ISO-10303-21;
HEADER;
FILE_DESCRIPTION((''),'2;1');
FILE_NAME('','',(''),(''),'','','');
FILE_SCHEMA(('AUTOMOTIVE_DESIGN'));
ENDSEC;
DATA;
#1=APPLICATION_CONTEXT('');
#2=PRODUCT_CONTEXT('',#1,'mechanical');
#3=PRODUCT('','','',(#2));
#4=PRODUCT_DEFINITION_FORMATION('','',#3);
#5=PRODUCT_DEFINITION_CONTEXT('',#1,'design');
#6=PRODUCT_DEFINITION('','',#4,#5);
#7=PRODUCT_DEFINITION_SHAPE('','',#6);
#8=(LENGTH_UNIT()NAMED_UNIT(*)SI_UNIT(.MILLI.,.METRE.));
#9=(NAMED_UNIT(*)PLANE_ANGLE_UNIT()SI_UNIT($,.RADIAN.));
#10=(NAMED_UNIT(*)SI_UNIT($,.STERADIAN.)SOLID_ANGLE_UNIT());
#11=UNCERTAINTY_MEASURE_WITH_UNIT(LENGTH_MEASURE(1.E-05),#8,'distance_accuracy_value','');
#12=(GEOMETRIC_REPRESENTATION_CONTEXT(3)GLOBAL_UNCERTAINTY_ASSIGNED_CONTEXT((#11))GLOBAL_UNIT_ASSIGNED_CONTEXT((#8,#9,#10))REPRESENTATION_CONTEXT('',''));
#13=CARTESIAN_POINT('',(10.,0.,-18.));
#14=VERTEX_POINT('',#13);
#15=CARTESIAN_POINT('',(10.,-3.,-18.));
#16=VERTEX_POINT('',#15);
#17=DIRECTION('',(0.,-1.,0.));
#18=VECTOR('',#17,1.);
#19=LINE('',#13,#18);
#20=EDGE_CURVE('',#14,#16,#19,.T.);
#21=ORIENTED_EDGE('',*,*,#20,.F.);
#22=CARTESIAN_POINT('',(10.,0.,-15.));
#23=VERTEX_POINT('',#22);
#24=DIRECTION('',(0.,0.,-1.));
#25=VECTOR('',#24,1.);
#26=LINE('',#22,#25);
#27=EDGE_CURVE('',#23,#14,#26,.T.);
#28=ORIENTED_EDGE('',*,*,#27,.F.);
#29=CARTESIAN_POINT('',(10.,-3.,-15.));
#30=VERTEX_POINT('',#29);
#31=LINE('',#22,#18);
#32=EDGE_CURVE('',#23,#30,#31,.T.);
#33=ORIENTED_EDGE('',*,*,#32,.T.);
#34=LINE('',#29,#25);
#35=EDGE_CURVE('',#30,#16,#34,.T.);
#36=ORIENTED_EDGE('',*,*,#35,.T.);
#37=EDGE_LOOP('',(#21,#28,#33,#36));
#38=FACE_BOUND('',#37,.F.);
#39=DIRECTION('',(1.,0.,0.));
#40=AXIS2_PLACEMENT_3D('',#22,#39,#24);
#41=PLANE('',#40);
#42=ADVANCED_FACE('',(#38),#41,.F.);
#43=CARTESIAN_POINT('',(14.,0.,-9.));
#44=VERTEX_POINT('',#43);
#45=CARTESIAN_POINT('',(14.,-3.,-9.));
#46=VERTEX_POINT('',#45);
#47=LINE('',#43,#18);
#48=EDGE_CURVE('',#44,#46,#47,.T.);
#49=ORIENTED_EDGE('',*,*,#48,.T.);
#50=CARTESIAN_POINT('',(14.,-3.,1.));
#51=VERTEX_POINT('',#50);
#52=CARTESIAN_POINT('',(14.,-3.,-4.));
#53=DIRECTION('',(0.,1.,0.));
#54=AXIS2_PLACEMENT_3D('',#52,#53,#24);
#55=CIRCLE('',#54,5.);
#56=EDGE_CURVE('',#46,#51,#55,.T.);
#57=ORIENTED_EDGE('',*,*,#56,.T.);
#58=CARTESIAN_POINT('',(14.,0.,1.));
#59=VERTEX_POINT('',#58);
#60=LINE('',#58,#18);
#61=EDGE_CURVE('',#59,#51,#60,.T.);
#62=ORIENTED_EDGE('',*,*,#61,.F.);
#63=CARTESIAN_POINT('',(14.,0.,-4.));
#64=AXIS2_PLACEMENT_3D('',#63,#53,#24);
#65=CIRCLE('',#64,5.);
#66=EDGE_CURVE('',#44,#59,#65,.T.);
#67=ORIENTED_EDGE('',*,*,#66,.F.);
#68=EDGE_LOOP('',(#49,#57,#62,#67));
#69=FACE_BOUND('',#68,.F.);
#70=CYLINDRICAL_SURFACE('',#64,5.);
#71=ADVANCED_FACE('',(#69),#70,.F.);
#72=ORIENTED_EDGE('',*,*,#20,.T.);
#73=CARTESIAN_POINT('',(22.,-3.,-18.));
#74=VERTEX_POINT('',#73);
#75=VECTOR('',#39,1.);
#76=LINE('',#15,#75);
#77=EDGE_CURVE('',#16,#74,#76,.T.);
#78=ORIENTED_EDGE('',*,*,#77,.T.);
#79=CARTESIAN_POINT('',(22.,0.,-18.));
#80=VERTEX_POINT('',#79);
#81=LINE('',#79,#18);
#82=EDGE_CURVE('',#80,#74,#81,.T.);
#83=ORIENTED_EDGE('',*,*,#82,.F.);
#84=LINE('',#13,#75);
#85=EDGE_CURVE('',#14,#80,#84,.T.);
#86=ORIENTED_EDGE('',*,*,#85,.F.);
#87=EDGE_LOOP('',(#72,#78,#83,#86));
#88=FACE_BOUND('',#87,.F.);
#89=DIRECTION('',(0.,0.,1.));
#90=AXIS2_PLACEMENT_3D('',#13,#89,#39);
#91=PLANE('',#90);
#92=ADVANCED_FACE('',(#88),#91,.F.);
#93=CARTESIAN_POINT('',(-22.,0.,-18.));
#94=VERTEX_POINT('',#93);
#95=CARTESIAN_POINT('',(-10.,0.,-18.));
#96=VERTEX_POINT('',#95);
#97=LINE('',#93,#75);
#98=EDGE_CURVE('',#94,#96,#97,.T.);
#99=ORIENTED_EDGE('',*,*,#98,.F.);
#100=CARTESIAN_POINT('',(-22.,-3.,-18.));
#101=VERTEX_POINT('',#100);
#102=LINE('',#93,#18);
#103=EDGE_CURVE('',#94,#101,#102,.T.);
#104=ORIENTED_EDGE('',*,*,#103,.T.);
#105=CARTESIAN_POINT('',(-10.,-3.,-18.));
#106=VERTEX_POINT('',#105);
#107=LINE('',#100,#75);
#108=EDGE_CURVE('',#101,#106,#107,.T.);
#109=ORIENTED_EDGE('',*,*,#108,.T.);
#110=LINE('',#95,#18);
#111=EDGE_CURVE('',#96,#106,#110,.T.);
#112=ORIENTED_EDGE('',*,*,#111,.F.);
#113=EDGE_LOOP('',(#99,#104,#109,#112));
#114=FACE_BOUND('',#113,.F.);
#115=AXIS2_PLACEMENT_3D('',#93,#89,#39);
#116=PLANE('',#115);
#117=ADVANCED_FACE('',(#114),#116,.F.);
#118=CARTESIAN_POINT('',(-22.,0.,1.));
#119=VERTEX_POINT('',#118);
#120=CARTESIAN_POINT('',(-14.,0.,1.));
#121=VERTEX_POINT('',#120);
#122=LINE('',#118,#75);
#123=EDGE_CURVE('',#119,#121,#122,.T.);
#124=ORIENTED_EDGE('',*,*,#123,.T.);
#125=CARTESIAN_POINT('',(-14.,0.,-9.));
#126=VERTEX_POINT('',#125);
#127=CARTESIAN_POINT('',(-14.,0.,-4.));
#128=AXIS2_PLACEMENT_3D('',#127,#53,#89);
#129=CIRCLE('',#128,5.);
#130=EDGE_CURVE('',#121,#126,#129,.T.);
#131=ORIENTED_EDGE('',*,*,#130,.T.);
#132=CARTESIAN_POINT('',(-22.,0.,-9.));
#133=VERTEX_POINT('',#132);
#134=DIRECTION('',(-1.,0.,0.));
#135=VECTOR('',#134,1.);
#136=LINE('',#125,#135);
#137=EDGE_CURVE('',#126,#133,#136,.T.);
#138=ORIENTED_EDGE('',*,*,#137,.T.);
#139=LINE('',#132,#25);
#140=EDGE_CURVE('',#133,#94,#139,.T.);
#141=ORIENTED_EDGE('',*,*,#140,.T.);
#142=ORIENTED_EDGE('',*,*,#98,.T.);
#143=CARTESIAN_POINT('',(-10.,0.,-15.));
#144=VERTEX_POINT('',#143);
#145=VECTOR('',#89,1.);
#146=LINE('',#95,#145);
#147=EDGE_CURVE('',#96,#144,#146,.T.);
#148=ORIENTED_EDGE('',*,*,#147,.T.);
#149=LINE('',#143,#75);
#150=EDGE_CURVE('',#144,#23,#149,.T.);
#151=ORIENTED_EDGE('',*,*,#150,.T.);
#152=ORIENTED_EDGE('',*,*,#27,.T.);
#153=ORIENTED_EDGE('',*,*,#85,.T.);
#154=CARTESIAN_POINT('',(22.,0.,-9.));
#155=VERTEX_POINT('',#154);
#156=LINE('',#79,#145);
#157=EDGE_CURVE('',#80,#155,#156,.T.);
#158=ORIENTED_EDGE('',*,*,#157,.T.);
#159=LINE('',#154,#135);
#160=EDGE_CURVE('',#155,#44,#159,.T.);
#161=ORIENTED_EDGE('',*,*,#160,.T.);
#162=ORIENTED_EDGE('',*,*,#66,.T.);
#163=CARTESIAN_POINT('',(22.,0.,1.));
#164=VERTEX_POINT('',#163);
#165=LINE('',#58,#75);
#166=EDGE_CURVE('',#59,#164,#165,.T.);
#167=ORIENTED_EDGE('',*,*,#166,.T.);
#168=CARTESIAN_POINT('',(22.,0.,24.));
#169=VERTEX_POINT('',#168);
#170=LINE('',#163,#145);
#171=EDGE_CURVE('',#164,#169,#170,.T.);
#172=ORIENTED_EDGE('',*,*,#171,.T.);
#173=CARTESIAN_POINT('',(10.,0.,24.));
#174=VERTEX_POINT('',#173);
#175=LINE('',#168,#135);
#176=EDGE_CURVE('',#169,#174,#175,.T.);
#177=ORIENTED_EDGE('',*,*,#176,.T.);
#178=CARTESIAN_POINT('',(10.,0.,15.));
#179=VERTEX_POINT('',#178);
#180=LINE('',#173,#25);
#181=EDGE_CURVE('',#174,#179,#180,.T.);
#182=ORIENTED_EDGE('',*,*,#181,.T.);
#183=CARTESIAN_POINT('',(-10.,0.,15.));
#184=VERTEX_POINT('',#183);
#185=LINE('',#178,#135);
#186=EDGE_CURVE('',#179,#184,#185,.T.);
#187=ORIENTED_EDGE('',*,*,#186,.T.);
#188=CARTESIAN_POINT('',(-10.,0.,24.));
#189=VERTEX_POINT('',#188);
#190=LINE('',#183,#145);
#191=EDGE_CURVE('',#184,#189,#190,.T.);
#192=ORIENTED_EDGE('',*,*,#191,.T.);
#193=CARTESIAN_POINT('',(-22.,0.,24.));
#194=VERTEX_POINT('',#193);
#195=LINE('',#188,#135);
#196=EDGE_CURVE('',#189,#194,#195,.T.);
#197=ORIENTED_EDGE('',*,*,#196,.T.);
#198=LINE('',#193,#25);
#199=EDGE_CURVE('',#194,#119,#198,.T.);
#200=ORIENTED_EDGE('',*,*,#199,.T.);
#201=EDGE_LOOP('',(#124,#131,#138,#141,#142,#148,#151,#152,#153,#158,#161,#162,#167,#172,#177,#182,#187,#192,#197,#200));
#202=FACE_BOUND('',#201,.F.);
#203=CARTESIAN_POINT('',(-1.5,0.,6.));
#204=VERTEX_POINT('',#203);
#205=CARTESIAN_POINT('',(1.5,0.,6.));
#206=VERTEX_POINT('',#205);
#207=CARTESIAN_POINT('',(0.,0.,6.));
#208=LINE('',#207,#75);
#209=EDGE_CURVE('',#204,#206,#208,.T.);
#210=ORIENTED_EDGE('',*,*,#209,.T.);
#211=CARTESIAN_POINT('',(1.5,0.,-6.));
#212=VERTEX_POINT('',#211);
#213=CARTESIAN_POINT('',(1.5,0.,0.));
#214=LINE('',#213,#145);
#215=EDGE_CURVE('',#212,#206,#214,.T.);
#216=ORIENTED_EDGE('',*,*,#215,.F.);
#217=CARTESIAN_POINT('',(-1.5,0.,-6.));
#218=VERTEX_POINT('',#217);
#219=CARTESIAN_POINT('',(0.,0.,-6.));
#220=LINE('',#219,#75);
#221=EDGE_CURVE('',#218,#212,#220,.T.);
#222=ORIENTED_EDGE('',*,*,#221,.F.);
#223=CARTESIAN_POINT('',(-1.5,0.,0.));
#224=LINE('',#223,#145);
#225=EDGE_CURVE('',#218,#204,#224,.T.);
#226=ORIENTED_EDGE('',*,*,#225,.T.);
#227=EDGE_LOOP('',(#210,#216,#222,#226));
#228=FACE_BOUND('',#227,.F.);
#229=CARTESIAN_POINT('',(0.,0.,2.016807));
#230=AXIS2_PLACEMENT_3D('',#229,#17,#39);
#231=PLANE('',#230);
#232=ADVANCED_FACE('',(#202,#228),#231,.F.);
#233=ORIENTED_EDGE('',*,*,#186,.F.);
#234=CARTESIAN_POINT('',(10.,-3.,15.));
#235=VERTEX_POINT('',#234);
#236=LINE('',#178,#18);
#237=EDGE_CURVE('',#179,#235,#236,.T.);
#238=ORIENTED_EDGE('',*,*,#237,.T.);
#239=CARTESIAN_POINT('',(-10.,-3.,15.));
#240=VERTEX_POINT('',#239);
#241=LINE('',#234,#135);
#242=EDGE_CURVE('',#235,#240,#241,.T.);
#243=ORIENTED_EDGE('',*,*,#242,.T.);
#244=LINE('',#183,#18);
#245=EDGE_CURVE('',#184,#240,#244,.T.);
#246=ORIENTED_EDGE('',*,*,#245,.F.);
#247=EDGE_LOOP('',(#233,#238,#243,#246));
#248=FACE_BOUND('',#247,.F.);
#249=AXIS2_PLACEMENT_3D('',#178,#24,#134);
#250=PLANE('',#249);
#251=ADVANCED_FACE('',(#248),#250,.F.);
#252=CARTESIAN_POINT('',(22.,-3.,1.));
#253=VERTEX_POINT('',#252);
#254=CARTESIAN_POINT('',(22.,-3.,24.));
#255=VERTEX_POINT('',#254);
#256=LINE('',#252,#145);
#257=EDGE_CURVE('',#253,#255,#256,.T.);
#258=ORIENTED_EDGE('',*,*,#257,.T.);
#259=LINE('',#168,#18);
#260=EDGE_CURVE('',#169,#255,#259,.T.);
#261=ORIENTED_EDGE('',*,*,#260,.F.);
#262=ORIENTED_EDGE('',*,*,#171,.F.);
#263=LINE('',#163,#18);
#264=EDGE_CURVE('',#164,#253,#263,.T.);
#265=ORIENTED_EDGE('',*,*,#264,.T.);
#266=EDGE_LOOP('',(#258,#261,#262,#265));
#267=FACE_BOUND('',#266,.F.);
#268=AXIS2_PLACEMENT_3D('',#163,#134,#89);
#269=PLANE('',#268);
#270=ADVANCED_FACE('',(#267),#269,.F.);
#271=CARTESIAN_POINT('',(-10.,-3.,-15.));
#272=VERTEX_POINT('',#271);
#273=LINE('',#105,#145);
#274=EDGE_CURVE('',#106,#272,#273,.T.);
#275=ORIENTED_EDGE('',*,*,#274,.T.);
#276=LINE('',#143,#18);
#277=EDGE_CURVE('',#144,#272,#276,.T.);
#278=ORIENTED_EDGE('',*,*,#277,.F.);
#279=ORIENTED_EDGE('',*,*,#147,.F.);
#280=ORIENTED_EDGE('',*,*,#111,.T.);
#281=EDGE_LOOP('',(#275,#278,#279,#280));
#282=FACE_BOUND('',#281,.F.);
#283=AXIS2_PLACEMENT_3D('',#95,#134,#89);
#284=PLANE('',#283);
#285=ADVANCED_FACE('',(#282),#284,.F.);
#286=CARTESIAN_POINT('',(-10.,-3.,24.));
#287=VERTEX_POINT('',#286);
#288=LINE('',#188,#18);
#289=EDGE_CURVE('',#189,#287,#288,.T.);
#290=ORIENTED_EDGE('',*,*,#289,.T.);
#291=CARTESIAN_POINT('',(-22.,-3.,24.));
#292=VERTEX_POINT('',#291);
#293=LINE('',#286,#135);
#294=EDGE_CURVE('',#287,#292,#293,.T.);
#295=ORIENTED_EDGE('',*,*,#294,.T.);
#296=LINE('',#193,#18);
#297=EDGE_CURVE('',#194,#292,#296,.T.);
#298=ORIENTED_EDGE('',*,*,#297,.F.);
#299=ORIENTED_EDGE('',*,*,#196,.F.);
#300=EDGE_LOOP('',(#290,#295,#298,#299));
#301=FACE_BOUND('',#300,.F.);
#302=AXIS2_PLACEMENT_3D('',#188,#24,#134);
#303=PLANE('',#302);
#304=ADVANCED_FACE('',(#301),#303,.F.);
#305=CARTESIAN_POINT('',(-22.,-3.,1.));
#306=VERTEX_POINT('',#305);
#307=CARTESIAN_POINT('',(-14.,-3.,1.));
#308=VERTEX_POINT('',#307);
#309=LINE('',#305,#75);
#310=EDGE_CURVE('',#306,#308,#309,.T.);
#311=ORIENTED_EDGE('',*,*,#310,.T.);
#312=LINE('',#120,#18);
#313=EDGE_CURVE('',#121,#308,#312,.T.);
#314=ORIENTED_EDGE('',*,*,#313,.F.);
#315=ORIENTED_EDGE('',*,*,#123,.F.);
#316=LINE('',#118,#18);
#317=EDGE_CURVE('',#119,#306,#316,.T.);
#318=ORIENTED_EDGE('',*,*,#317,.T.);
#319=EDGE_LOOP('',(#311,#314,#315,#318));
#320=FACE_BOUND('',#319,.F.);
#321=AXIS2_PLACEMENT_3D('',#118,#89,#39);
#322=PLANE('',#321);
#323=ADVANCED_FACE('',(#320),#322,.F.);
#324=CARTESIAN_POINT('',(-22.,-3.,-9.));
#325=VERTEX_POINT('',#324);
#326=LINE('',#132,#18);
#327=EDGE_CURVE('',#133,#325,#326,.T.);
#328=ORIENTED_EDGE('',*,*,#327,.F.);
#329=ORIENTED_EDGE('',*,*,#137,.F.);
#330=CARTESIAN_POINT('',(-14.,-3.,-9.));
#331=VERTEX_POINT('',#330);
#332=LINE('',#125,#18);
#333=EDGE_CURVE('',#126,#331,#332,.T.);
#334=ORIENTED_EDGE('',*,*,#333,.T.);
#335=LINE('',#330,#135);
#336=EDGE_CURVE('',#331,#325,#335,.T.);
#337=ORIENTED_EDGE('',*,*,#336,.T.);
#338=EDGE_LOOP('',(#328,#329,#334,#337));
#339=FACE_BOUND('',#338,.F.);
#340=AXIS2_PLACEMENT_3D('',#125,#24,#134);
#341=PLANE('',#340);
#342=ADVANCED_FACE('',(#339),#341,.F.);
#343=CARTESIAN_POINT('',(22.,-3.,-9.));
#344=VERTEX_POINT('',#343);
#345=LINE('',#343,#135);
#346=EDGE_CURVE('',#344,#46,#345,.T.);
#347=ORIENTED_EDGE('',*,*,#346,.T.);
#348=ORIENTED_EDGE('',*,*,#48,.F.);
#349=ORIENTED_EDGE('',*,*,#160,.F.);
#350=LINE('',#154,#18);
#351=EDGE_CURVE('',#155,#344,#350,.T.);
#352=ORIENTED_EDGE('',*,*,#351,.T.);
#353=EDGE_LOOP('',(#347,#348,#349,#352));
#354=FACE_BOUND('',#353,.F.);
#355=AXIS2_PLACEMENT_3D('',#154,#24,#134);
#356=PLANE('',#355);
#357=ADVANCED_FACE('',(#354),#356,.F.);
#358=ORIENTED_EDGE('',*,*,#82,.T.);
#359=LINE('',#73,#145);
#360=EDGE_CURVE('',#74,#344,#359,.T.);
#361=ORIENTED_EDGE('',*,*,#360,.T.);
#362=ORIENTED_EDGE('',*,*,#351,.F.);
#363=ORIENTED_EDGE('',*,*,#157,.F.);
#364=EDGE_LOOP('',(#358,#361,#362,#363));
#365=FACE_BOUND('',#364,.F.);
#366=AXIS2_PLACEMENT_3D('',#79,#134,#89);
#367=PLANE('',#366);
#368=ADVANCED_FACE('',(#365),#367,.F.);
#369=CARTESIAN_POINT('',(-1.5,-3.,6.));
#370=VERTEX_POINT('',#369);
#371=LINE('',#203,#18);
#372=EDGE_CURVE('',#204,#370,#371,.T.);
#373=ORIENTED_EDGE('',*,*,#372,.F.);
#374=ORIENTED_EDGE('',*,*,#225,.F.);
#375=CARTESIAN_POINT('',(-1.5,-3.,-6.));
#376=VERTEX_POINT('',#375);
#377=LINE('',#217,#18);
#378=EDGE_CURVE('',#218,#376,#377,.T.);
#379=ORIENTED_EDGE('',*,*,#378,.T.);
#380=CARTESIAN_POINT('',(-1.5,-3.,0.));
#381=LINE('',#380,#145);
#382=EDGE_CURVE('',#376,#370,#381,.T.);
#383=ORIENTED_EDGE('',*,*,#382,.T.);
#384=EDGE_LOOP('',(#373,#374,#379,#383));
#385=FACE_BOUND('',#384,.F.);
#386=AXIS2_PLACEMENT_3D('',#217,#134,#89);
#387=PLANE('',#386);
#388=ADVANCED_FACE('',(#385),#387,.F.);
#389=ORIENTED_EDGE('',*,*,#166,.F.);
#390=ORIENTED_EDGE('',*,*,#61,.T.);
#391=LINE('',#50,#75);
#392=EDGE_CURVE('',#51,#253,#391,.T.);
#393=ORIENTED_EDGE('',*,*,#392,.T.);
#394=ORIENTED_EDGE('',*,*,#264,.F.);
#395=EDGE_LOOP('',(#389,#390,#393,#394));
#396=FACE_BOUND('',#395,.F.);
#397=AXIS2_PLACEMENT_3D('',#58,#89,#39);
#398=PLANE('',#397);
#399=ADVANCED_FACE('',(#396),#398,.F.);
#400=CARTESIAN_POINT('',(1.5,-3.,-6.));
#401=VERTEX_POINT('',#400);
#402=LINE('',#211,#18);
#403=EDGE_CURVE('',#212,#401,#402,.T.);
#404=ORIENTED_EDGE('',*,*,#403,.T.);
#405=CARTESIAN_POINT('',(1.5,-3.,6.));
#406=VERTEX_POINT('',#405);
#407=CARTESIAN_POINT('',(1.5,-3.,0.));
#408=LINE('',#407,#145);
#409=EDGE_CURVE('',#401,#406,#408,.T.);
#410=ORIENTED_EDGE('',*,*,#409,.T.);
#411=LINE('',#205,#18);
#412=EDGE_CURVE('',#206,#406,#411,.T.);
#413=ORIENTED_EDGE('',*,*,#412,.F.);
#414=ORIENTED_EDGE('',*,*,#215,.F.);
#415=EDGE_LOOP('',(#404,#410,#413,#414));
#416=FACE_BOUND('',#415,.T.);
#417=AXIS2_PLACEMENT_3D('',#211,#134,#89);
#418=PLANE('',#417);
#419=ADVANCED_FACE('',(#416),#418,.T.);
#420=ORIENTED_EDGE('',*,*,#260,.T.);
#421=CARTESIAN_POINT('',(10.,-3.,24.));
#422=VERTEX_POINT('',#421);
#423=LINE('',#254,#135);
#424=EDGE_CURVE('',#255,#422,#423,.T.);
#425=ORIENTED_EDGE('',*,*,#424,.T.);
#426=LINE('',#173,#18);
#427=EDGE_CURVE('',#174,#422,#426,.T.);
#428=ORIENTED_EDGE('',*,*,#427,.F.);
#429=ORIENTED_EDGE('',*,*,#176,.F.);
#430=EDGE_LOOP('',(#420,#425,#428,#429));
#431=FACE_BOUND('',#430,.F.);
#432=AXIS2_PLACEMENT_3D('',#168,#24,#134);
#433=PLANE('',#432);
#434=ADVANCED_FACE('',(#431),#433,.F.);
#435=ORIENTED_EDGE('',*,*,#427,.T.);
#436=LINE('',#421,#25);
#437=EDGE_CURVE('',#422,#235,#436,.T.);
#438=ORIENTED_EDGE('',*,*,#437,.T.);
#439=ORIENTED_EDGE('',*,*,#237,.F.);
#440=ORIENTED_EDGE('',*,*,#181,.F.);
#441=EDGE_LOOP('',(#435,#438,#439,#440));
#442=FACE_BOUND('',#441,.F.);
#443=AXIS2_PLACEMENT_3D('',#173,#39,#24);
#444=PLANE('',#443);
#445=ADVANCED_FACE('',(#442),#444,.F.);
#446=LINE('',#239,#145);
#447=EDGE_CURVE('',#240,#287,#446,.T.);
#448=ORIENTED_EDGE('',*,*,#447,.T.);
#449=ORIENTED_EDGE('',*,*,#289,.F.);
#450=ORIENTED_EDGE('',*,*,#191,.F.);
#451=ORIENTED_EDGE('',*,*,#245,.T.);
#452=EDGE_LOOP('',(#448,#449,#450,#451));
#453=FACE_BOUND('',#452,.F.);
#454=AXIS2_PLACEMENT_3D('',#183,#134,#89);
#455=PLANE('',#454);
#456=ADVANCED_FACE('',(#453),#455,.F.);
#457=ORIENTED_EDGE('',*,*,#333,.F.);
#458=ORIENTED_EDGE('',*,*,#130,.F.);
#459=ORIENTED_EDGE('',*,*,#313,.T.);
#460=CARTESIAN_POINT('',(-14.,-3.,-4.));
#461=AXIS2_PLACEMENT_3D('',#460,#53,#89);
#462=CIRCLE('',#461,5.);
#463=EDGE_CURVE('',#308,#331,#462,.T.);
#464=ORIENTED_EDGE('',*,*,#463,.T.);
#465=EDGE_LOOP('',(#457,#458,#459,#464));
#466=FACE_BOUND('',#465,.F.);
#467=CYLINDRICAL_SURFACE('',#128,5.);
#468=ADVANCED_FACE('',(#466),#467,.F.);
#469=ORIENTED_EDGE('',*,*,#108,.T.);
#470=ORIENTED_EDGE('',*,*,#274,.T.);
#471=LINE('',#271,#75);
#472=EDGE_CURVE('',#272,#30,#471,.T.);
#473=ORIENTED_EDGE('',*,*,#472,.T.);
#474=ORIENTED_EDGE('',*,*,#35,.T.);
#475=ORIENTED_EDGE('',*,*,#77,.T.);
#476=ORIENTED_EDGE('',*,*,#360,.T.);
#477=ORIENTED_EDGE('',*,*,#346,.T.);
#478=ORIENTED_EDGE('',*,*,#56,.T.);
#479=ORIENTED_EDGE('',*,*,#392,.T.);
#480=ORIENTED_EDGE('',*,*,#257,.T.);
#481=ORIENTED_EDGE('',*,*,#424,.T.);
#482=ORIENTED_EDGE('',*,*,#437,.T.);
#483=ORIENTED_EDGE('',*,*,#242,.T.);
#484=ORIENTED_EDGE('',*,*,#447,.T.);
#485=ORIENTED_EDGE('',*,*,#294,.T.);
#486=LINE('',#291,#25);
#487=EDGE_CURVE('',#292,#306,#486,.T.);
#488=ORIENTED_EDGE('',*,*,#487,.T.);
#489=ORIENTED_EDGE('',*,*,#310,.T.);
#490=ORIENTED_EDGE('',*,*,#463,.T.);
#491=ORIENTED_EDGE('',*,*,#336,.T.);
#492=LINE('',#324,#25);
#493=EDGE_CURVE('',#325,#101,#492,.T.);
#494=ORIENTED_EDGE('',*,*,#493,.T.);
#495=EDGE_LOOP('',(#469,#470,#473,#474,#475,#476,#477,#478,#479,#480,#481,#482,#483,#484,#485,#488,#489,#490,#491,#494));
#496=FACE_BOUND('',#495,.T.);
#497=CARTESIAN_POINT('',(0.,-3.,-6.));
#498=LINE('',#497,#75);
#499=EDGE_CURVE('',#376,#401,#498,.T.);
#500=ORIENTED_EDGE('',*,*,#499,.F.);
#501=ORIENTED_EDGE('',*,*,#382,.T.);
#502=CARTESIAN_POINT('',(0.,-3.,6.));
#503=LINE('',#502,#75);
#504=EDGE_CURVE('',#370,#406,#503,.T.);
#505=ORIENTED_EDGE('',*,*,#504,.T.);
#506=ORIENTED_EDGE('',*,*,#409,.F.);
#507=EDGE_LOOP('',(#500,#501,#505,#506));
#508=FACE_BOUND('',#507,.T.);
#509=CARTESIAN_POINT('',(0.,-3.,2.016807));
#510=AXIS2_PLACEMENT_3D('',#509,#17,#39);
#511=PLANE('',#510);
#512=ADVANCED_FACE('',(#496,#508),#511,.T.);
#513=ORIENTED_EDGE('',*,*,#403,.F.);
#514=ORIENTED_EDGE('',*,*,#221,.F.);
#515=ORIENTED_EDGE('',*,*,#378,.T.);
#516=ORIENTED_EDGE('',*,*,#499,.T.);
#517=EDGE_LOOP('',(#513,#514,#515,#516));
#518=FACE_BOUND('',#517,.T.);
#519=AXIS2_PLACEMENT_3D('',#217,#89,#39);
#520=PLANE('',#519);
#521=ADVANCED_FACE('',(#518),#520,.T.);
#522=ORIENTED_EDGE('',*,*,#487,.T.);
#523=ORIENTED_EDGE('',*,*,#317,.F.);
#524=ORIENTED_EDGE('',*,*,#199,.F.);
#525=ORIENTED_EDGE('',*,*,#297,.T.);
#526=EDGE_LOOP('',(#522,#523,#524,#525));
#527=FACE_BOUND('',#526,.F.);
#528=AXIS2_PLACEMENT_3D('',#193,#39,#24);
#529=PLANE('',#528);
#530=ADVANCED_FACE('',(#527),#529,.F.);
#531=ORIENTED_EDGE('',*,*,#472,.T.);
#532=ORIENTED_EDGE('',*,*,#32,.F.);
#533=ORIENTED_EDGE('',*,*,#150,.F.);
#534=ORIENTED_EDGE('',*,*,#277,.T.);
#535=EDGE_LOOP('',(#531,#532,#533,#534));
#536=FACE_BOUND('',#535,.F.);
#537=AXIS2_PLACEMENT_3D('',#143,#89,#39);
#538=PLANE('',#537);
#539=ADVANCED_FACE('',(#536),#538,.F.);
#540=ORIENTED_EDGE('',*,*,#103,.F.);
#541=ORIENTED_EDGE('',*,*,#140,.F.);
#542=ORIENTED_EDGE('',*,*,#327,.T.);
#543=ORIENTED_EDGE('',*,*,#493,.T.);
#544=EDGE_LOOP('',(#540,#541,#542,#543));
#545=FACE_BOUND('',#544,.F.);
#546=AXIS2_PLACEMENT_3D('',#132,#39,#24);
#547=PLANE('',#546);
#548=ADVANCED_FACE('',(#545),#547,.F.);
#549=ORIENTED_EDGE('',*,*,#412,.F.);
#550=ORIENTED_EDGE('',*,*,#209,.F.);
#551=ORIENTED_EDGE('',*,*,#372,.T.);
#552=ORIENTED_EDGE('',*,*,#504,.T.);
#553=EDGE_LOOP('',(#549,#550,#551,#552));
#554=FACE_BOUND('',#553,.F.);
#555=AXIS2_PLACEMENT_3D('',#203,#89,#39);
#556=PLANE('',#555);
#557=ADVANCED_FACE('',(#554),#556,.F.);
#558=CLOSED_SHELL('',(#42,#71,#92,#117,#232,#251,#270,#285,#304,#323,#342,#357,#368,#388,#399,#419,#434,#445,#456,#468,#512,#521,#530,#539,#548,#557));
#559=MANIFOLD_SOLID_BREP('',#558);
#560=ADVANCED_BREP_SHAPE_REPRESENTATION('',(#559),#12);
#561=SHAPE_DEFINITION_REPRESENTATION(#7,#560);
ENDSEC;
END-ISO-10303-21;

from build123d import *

# Parameters (mm, degrees)
F0_W     = 3
F0_H     = 12
F1_DEPTH = 3


with BuildPart() as f1:
    # F0 (on Front) → F1 (new body)
    with BuildSketch(Plane.XZ):
        with BuildLine():
            Line((10, 24), (10, 15))
            Line((10, 15), (-10, 15))
            Line((-10, 15), (-10, 24))
            Line((-10, 24), (-22, 24))
            Line((-22, 24), (-22, 15))
            Line((-22, 15), (-22, 1))
            Line((-22, 1), (-14, 1))
            ThreePointArc((-14, 1), (-9, -4), (-14, -9))
            Line((-14, -9), (-22, -9))
            Line((-22, -9), (-22, -15))
            Line((-22, -15), (-22, -18))
            Line((-22, -18), (-10, -18))
            Line((-10, -18), (-10, -15))
            Line((-10, -15), (10, -15))
            Line((10, -15), (10, -18))
            Line((10, -18), (22, -18))
            Line((22, -18), (22, -15))
            Line((22, -15), (22, -9))
            Line((22, -9), (14, -9))
            ThreePointArc((14, -9), (9, -4), (14, 1))
            Line((14, 1), (22, 1))
            Line((22, 1), (22, 15))
            Line((22, 15), (22, 24))
            Line((22, 24), (10, 24))
        make_face()
        Rectangle(F0_W, F0_H, mode=Mode.SUBTRACT)
    extrude(amount=F1_DEPTH)


solid = f1.part
